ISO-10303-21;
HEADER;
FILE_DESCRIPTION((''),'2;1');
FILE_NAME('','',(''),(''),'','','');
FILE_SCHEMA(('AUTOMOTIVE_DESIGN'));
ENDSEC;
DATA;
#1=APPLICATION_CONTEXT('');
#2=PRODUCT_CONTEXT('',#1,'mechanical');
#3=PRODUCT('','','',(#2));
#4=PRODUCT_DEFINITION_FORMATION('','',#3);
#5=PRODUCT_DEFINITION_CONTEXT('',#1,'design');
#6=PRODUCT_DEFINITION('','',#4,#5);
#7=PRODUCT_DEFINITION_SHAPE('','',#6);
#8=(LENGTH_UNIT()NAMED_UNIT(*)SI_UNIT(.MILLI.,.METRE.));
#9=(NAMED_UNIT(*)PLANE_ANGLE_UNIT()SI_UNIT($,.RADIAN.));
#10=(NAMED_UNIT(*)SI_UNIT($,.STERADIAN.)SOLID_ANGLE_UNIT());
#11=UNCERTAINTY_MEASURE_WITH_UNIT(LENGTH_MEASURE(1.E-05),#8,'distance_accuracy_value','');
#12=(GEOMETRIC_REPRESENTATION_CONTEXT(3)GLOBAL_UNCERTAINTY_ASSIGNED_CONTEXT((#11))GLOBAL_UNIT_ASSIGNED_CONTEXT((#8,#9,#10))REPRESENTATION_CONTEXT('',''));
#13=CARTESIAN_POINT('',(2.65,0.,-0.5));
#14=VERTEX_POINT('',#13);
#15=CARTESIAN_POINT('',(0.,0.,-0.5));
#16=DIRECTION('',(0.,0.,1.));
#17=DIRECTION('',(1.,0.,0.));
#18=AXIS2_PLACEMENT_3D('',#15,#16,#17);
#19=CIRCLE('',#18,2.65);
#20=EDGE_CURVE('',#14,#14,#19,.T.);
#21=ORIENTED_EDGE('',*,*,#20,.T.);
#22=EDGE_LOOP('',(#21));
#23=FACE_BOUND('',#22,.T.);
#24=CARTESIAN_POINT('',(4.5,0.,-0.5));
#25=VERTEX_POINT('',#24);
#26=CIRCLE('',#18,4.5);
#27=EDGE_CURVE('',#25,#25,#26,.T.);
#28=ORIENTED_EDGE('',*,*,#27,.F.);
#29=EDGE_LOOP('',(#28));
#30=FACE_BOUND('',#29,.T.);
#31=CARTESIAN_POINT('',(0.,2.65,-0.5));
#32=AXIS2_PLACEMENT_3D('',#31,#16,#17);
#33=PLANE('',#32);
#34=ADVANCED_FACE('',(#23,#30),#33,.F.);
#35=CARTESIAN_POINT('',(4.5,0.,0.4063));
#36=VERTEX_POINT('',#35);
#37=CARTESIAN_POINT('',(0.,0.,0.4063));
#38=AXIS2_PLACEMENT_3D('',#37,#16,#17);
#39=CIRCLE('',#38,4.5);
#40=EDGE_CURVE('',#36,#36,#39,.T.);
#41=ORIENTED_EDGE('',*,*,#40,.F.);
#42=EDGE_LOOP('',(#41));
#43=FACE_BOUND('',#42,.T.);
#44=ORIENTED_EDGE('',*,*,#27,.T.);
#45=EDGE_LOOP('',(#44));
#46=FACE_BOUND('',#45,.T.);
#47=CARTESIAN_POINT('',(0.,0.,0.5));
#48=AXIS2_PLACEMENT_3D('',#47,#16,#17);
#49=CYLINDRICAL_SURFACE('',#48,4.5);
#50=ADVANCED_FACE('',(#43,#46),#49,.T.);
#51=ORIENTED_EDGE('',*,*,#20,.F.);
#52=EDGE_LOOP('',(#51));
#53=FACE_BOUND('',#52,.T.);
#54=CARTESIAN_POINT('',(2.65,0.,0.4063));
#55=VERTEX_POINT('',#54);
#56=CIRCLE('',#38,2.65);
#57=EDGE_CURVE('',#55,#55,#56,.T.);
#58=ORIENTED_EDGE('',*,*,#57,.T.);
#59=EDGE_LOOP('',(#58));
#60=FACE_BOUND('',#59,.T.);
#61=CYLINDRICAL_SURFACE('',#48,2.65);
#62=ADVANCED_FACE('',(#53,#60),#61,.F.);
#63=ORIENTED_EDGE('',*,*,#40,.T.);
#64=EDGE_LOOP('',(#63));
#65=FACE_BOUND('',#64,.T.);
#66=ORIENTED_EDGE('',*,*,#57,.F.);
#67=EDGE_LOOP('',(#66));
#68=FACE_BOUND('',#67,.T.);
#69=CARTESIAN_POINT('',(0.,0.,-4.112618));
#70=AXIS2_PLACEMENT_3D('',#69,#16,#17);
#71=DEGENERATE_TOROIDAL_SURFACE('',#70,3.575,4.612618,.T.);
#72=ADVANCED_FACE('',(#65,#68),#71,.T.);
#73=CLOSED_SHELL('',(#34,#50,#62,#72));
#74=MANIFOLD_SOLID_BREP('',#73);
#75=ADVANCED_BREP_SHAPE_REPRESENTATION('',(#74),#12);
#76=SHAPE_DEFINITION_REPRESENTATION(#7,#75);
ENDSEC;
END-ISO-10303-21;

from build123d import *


with BuildPart() as part:
    # Sketch3 → Revolve1 (revolve)
    with BuildSketch(Plane(origin=(0, 0, 0), x_dir=(0, 0, -1), z_dir=(1, 0, 0))):
        with BuildLine():
            Line((0.5, 4.5), (-0.4063, 4.5))
            ThreePointArc((-0.4063, 4.5), (-0.5, 3.575), (-0.4063, 2.65))
            Line((-0.4063, 2.65), (0.5, 2.65))
            Line((0.5, 2.65), (0.5, 4.5))
        make_face()
    revolve(axis=Axis((0, 0, 0.5), (0, 0, -1)))


solid = part.part
